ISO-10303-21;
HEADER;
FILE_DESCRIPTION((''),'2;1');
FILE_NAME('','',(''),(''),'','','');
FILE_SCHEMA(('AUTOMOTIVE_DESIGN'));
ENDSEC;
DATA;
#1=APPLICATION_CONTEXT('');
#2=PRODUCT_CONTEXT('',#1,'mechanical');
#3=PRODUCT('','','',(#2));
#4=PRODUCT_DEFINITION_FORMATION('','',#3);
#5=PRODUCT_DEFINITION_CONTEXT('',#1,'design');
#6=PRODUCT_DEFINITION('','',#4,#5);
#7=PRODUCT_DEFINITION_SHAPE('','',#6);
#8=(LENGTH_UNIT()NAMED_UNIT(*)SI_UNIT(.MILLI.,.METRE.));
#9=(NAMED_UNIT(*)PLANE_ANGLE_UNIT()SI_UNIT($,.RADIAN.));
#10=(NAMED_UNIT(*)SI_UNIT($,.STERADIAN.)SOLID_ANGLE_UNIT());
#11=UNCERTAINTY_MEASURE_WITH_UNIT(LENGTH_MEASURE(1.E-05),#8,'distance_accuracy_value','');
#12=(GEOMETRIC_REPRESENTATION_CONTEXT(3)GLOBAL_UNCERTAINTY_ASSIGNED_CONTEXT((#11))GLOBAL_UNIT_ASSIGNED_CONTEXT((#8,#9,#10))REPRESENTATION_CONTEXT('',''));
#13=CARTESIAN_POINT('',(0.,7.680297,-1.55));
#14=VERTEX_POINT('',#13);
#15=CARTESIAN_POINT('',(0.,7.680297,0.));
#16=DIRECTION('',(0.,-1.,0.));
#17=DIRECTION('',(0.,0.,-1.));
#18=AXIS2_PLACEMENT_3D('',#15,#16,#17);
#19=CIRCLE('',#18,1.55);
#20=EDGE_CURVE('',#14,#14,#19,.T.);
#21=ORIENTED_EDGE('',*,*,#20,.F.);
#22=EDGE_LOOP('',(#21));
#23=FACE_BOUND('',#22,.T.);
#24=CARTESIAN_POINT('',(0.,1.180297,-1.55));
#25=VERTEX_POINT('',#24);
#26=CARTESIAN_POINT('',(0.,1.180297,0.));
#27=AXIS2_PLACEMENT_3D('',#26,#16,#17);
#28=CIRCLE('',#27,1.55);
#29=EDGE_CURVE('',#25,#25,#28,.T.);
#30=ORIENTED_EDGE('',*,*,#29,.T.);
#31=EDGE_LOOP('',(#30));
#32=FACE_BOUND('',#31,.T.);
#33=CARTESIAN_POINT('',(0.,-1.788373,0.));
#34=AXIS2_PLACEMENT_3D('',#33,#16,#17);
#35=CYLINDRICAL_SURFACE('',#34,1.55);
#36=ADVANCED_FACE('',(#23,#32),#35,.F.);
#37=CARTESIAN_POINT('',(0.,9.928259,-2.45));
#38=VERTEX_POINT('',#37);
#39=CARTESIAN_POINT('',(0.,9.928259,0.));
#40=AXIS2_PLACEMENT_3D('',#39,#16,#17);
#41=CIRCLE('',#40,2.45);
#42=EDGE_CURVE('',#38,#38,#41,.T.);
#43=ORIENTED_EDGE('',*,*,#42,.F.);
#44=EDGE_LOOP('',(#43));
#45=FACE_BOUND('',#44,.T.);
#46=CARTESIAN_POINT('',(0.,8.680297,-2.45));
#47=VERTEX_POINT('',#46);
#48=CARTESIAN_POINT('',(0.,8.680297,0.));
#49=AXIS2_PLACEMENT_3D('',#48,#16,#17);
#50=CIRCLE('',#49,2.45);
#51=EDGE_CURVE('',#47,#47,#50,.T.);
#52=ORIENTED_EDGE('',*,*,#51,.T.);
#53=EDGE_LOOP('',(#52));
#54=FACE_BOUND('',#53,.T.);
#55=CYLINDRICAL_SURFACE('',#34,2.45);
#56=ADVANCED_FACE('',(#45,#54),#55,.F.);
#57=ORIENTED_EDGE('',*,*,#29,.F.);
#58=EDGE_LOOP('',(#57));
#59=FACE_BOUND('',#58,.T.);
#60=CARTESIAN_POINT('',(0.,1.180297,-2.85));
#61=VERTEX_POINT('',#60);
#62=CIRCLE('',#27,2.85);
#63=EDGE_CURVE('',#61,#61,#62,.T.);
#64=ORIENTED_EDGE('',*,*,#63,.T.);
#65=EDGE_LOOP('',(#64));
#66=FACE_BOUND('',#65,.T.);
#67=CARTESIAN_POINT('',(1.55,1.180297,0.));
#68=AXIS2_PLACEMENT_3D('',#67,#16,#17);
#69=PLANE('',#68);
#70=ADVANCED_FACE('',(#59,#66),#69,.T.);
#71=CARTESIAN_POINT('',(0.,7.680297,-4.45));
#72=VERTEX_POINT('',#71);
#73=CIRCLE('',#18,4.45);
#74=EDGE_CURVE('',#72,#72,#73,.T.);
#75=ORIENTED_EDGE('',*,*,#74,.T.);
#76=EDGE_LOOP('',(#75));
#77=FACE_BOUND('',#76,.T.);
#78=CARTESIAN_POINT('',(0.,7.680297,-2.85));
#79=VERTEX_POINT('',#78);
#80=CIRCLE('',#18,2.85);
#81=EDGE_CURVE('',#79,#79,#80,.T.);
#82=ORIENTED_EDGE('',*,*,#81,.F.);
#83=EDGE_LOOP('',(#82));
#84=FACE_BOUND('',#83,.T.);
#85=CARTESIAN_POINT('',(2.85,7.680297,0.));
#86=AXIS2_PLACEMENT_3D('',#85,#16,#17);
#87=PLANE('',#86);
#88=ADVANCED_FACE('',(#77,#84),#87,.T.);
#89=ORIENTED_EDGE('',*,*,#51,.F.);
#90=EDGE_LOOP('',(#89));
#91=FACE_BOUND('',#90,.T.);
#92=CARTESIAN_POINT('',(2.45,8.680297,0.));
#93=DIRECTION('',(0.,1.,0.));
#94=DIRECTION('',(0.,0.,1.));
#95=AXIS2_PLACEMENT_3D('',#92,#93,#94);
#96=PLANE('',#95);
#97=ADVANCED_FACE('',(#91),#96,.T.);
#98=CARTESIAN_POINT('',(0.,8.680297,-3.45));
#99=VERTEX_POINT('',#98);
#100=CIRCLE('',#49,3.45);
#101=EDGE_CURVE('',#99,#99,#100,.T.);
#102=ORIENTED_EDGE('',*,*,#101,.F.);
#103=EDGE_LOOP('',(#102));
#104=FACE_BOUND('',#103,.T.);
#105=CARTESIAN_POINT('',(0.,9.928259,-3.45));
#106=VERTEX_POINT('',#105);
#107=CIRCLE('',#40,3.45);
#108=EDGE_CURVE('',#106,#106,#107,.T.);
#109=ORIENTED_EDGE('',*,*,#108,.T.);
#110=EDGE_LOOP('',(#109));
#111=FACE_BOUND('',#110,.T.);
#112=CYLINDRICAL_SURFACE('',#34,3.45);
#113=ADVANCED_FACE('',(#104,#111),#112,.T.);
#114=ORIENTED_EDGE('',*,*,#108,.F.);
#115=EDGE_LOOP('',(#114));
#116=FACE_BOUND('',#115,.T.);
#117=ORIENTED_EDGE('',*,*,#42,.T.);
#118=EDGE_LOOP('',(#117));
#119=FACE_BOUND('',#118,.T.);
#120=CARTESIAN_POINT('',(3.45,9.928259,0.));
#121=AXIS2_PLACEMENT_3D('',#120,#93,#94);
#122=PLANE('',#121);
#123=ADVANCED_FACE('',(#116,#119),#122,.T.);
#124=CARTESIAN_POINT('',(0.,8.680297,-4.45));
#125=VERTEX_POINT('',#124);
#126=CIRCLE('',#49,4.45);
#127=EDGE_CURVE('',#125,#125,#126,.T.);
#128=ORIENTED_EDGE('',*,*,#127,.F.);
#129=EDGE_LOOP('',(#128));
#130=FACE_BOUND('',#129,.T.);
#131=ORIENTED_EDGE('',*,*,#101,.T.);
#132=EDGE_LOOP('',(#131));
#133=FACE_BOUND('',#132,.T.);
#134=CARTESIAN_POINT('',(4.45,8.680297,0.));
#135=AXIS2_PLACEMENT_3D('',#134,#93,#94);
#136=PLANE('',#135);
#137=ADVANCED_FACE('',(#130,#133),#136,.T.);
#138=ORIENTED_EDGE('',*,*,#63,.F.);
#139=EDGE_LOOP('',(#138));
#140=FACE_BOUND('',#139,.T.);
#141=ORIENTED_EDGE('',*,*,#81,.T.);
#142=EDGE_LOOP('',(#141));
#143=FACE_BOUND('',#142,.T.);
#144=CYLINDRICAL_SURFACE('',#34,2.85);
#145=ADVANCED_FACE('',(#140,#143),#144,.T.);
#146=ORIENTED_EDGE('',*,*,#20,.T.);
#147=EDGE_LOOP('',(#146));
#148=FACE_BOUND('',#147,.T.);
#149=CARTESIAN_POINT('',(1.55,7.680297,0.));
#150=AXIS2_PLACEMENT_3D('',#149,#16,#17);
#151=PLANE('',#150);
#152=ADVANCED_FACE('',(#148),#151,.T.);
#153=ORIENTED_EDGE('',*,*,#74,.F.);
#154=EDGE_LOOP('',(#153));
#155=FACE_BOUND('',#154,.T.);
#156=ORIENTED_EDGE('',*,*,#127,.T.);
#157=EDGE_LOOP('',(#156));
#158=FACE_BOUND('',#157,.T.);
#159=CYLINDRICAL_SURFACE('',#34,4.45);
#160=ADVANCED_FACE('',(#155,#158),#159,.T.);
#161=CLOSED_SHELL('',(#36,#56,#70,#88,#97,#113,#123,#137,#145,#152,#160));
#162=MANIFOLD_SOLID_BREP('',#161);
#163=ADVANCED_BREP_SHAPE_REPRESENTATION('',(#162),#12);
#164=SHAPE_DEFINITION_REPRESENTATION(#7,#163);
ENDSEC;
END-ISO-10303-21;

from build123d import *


with BuildPart() as part:
    # Sketch2 → Revolve3 (revolve)
    with BuildSketch(Plane.XY):
        Polygon((1.55, 1.180296702), (1.55, 7.680296702), (0, 7.680296702), (0, 8.680296702), (2.45, 8.680296702), (2.45, 9.928259415), (3.45, 9.928259415), (3.45, 8.680296702), (4.45, 8.680296702), (4.45, 7.680296702), (2.85, 7.680296702), (2.85, 1.180296702), align=None)
    revolve(axis=Axis((0, -1.788372775, 0), (0, 1, 0)))


solid = part.part
